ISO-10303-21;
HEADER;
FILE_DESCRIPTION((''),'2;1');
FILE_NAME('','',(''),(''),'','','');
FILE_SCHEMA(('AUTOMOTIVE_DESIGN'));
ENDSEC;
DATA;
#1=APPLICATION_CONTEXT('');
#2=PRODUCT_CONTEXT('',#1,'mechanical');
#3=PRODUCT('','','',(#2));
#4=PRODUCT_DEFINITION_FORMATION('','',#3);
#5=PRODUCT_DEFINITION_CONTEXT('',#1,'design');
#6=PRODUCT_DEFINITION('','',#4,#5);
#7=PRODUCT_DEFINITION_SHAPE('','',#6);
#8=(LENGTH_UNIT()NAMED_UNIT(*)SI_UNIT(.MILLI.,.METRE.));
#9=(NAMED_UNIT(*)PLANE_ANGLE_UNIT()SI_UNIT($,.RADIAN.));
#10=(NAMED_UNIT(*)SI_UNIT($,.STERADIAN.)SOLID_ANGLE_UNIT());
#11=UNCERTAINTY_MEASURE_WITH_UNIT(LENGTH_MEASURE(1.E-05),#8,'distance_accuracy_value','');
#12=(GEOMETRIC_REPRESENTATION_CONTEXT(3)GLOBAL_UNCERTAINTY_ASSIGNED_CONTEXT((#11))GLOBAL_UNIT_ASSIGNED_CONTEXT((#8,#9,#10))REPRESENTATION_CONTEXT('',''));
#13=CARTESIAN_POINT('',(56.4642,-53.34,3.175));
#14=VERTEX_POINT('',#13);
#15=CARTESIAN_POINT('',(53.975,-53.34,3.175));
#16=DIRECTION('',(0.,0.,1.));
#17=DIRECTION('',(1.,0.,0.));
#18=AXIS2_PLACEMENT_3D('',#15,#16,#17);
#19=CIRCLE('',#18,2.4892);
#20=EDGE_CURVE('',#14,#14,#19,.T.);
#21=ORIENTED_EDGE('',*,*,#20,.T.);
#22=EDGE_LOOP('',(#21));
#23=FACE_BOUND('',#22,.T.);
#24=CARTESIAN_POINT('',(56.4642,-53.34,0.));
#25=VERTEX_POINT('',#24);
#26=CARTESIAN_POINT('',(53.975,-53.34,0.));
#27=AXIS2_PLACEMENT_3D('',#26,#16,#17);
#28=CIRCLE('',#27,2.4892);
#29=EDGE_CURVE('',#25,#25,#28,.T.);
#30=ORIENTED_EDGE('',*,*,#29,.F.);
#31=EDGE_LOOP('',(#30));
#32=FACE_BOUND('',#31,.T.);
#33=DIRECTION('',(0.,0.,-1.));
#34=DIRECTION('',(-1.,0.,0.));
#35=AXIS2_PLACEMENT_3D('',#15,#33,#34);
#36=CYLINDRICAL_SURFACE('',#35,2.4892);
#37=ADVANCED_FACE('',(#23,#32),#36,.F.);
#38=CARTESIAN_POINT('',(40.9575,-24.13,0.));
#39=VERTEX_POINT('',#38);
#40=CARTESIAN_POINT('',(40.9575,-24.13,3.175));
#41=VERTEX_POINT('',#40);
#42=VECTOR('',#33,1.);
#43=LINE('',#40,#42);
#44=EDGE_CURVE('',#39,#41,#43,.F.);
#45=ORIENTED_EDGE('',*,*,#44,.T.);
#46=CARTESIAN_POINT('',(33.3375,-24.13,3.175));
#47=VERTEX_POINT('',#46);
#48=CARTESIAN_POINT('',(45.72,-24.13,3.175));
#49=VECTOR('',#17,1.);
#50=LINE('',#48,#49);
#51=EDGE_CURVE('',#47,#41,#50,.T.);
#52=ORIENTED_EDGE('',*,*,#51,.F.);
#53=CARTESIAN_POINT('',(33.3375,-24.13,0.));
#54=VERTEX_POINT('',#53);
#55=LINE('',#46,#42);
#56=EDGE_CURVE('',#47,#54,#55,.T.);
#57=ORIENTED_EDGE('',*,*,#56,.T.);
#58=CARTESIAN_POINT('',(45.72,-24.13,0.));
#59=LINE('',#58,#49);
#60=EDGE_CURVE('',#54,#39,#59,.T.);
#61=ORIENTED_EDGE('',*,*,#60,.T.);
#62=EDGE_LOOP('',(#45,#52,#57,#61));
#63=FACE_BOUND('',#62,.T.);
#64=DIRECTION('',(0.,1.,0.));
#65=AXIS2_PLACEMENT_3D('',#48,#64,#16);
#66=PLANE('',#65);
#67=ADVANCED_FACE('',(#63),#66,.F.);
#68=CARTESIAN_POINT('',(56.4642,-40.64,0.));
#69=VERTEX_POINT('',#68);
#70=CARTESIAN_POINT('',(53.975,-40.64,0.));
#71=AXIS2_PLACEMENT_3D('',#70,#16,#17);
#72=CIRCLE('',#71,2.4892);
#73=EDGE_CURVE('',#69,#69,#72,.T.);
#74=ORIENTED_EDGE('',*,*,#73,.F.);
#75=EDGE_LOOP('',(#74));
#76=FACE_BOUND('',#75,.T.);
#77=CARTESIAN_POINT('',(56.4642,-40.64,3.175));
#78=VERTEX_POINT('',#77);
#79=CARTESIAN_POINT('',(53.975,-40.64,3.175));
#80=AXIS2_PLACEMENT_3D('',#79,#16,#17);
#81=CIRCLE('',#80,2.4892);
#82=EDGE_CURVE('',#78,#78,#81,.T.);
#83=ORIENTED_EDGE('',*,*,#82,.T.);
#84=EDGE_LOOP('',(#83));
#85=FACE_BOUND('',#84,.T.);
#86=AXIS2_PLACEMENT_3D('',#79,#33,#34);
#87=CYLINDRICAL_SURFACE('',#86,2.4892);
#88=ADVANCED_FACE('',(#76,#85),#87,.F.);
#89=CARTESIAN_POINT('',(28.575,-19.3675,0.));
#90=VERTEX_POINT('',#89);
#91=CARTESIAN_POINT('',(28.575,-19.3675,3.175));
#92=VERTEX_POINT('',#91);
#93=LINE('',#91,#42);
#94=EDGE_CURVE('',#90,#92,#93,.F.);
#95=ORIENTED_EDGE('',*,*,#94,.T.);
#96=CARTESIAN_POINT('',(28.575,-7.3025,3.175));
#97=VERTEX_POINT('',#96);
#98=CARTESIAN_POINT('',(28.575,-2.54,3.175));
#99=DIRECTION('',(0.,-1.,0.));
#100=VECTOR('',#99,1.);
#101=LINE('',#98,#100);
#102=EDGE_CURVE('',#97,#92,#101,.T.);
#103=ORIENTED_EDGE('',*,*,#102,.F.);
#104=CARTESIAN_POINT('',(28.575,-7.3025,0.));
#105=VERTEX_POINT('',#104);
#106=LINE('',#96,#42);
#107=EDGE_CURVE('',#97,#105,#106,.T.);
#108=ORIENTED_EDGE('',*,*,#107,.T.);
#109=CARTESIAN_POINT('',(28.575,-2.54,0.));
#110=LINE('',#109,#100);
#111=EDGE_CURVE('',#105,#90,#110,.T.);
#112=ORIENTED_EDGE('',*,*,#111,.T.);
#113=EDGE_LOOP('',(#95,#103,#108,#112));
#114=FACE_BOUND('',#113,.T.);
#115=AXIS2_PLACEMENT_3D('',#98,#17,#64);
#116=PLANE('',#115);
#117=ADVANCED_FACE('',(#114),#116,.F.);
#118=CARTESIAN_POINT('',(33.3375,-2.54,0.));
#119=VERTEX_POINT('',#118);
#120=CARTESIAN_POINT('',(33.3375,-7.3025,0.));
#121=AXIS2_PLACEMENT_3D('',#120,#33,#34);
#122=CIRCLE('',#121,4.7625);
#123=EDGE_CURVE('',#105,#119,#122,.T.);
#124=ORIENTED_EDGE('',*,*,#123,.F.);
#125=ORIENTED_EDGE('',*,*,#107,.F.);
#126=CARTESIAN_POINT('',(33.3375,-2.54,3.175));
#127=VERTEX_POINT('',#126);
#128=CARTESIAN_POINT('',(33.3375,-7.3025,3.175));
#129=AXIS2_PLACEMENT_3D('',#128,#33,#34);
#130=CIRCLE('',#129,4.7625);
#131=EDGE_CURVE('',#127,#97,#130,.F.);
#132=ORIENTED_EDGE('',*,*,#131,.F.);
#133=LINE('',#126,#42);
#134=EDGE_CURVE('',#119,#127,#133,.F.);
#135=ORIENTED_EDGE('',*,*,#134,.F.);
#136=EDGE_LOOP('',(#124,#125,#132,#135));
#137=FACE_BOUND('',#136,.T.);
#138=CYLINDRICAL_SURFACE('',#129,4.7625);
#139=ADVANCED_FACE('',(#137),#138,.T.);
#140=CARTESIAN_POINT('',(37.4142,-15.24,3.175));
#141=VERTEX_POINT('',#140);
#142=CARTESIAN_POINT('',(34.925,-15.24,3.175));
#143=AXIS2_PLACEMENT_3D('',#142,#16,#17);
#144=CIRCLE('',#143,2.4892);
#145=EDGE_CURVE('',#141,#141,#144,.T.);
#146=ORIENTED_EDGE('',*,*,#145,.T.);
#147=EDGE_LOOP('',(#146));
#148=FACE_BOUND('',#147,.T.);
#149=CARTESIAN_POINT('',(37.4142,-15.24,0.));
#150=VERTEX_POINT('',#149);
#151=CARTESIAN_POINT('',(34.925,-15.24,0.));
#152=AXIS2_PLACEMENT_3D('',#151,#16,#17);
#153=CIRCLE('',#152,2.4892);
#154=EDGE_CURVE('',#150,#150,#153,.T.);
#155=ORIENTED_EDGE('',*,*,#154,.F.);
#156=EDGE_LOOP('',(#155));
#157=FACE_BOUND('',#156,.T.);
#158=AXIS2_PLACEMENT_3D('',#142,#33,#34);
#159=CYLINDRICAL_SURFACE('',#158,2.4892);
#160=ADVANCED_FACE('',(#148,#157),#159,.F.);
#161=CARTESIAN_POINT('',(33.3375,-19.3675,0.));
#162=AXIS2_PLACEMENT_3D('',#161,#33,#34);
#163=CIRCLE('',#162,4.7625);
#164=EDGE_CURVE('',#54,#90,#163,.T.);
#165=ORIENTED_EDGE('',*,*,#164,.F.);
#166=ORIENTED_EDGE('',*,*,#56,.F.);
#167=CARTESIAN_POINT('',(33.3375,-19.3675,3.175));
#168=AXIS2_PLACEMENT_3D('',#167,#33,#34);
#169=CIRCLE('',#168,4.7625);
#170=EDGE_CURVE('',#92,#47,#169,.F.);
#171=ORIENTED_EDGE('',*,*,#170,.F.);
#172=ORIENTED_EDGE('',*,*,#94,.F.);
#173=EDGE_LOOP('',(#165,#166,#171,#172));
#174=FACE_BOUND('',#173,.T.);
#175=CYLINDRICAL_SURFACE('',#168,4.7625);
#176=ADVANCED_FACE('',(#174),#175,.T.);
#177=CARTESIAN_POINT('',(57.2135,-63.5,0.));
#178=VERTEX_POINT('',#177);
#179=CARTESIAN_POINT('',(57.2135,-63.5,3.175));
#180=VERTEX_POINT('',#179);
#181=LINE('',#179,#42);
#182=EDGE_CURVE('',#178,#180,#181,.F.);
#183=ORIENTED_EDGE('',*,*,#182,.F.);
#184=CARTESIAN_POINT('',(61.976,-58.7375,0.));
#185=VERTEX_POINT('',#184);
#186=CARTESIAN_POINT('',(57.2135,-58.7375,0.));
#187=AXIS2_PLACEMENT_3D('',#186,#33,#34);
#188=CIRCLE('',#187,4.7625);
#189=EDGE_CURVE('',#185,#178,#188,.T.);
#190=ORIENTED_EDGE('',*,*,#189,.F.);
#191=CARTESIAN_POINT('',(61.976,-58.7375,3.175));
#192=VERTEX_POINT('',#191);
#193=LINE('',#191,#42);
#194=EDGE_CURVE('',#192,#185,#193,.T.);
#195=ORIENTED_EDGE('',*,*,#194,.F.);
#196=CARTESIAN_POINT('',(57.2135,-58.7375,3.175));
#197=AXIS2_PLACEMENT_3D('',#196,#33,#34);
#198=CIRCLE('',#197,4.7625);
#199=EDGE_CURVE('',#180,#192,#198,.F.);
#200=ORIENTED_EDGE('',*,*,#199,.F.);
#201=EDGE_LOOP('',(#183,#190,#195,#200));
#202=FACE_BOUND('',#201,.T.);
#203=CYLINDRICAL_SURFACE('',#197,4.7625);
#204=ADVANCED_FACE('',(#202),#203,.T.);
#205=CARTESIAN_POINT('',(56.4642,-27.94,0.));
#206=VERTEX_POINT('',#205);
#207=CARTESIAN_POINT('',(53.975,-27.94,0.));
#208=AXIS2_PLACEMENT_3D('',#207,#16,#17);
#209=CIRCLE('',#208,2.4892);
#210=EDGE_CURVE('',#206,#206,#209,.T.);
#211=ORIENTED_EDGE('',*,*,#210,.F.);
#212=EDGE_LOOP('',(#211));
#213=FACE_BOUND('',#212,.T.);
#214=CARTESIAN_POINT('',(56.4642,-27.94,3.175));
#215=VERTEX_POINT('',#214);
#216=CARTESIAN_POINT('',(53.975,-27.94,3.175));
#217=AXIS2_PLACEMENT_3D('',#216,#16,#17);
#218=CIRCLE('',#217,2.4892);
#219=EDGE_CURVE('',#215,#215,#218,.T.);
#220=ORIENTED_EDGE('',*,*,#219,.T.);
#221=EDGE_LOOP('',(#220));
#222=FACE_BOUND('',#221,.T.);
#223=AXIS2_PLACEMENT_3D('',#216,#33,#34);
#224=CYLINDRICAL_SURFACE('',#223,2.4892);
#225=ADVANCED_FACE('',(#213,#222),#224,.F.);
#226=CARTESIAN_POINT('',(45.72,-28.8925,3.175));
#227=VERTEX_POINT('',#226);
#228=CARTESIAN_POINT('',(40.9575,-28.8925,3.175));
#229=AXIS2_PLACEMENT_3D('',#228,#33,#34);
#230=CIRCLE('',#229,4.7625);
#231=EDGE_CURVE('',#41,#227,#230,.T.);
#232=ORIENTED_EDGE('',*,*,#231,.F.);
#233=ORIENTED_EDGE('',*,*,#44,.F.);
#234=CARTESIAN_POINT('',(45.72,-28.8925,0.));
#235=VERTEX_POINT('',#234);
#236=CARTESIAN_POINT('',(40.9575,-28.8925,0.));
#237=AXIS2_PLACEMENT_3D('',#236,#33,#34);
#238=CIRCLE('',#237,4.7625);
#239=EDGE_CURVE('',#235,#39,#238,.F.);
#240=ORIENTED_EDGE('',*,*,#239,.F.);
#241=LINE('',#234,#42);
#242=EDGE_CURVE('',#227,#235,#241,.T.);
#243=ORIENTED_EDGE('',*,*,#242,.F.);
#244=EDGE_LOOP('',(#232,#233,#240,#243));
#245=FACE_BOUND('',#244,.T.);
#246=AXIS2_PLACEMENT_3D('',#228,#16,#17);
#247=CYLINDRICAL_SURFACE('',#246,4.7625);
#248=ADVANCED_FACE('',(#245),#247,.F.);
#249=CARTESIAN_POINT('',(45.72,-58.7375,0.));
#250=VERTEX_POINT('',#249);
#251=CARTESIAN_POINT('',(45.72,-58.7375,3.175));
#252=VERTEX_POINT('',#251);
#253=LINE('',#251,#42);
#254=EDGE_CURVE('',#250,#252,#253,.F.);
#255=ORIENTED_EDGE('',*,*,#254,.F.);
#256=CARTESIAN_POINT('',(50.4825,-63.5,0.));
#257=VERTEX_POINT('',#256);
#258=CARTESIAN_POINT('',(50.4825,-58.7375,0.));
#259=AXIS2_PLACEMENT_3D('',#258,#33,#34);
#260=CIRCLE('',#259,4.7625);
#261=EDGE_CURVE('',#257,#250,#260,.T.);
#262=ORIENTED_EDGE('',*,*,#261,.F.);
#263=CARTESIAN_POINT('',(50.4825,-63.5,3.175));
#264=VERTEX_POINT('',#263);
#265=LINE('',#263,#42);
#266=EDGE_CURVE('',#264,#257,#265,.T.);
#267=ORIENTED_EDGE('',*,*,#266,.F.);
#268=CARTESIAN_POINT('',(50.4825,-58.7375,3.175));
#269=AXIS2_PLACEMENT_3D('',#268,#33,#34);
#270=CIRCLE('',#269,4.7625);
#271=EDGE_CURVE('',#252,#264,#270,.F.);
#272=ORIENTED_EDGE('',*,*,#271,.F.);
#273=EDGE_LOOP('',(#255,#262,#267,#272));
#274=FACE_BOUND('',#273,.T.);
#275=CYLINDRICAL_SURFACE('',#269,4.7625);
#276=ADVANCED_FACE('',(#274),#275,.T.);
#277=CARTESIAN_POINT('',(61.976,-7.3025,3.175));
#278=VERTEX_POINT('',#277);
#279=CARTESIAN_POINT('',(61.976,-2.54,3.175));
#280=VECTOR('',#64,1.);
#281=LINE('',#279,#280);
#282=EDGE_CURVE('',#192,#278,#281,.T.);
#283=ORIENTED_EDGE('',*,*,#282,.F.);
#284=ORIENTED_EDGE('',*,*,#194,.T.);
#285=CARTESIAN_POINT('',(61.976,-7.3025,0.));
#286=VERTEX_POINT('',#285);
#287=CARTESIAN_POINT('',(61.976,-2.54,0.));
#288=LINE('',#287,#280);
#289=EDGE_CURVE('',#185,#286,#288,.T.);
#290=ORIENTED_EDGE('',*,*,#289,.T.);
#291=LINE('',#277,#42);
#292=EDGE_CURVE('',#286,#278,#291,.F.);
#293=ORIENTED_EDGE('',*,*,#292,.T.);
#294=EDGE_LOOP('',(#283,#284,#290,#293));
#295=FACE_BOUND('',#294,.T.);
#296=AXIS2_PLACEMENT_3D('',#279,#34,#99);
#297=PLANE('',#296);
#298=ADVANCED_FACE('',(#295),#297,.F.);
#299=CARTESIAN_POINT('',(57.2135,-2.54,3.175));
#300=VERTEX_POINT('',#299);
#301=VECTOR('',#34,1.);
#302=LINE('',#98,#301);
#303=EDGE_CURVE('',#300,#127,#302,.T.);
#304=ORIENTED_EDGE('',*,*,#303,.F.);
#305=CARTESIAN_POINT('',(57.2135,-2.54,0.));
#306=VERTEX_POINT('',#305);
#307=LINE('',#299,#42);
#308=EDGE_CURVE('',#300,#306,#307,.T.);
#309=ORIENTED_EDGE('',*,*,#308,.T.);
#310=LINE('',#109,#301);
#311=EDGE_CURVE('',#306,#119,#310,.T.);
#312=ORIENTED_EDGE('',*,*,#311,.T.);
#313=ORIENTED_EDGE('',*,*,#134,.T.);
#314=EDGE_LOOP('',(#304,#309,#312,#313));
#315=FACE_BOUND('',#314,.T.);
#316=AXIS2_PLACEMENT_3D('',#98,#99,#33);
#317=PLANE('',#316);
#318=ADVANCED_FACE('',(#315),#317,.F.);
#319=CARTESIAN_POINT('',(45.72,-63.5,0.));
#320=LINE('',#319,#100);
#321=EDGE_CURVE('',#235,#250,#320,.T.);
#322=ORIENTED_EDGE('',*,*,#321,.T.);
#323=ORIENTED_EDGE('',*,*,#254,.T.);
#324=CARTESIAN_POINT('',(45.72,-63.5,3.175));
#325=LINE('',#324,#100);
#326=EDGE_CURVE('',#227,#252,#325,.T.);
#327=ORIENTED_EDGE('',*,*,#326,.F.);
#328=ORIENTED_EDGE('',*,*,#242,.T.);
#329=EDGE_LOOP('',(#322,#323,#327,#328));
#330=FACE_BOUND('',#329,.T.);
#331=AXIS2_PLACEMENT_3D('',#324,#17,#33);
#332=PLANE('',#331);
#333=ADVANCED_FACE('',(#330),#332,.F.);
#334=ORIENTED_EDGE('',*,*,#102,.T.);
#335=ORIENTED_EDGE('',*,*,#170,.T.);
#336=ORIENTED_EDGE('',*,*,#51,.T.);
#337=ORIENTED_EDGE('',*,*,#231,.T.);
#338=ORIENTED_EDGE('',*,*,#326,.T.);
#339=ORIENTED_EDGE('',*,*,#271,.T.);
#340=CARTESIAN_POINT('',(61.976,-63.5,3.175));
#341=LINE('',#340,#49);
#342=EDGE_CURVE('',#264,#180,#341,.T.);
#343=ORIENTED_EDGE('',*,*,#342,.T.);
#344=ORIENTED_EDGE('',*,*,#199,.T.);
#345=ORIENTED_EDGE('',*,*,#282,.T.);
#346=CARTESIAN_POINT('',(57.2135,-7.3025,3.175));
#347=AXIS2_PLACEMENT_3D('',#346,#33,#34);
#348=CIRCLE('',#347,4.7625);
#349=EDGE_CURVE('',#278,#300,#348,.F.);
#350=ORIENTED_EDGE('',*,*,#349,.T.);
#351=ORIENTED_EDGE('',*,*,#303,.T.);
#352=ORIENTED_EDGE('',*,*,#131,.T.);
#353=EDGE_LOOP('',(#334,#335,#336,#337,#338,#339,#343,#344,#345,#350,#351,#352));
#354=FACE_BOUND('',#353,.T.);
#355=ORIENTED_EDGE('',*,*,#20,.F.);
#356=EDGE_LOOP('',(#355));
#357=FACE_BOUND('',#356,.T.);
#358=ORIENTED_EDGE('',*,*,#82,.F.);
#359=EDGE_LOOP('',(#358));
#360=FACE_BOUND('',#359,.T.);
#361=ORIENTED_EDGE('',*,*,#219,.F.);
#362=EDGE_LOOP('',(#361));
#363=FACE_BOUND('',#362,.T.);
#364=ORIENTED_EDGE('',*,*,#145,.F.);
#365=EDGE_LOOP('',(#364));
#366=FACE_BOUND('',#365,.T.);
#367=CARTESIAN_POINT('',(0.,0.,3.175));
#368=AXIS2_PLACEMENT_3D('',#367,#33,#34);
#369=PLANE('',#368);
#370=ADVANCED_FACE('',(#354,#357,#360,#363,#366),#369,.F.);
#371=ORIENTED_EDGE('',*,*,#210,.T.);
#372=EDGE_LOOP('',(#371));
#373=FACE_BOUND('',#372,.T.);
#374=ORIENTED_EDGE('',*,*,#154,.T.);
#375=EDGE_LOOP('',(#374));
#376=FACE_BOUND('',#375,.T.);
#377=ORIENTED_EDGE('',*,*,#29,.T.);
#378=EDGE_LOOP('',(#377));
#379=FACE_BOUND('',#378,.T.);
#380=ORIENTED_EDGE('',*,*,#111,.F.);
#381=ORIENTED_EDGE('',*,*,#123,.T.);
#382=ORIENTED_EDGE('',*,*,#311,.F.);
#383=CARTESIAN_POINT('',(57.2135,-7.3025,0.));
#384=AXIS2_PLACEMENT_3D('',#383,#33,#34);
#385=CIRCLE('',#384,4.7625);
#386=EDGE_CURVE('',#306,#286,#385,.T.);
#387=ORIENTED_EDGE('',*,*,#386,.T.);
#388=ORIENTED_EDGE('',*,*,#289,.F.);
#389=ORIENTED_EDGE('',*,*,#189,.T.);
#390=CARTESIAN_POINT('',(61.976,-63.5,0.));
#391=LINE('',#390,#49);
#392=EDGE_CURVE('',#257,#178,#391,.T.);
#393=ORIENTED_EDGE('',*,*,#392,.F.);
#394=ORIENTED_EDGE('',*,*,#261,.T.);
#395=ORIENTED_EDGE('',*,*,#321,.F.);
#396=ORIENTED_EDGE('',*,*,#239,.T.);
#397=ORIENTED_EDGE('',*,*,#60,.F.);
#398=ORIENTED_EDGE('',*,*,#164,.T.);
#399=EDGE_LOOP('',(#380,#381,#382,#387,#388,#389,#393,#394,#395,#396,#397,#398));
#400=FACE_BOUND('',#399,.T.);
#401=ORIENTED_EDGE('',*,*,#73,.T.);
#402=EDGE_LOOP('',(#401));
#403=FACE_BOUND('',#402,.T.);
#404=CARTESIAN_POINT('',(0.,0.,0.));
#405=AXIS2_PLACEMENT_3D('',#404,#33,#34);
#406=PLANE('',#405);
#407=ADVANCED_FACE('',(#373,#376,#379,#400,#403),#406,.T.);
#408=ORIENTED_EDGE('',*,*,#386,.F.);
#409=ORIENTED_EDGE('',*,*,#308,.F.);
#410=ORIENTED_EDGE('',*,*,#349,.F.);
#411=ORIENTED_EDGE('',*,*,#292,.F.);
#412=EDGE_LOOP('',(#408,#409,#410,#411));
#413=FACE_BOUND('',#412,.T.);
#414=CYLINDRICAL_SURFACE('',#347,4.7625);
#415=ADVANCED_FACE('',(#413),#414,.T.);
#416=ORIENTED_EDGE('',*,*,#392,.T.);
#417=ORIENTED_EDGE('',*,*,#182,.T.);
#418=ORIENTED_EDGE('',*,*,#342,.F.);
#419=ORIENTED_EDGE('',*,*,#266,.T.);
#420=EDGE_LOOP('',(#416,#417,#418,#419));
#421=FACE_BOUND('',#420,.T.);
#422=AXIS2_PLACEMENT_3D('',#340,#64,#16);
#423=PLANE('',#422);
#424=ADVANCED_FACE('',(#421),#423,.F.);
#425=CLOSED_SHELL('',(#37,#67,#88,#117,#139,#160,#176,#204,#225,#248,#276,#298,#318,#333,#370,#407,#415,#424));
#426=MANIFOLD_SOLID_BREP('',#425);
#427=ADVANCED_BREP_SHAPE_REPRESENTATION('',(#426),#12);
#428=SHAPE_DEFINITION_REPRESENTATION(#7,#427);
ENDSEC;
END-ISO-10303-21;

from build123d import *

# Parameters (mm, degrees)
SKETCH1_R           = 2.4892
BOSS_EXTRUDE1_DEPTH = 3.175
FILLET1_R           = 4.7625


with BuildPart() as part:
    # Sketch1 → Boss-Extrude1 (new body)
    with BuildSketch(Plane.XY):
        Polygon((28.575, -2.54), (61.976, -2.54), (61.976, -63.5), (45.72, -63.5), (45.72, -24.13), (28.575, -24.13), align=None)
        with Locations((53.975, -27.94)):
            Circle(SKETCH1_R, mode=Mode.SUBTRACT)
        with Locations((53.975, -40.64)):
            Circle(SKETCH1_R, mode=Mode.SUBTRACT)
        with Locations((53.975, -53.34)):
            Circle(SKETCH1_R, mode=Mode.SUBTRACT)
        with Locations((34.925, -15.24)):
            Circle(SKETCH1_R, mode=Mode.SUBTRACT)
    extrude(amount=BOSS_EXTRUDE1_DEPTH)

    # Fillet1
    fillet1_edges = [part.edges().sort_by_distance(p)[0] for p in [
        (61.976, -63.5, 1.5875),
        (45.72, -63.5, 1.5875),
        (45.72, -24.13, 1.5875),
        (28.575, -24.13, 1.5875),
        (28.575, -2.54, 1.5875),
        (61.976, -2.54, 1.5875),
    ]]
    fillet(fillet1_edges, radius=FILLET1_R)


solid = part.part
